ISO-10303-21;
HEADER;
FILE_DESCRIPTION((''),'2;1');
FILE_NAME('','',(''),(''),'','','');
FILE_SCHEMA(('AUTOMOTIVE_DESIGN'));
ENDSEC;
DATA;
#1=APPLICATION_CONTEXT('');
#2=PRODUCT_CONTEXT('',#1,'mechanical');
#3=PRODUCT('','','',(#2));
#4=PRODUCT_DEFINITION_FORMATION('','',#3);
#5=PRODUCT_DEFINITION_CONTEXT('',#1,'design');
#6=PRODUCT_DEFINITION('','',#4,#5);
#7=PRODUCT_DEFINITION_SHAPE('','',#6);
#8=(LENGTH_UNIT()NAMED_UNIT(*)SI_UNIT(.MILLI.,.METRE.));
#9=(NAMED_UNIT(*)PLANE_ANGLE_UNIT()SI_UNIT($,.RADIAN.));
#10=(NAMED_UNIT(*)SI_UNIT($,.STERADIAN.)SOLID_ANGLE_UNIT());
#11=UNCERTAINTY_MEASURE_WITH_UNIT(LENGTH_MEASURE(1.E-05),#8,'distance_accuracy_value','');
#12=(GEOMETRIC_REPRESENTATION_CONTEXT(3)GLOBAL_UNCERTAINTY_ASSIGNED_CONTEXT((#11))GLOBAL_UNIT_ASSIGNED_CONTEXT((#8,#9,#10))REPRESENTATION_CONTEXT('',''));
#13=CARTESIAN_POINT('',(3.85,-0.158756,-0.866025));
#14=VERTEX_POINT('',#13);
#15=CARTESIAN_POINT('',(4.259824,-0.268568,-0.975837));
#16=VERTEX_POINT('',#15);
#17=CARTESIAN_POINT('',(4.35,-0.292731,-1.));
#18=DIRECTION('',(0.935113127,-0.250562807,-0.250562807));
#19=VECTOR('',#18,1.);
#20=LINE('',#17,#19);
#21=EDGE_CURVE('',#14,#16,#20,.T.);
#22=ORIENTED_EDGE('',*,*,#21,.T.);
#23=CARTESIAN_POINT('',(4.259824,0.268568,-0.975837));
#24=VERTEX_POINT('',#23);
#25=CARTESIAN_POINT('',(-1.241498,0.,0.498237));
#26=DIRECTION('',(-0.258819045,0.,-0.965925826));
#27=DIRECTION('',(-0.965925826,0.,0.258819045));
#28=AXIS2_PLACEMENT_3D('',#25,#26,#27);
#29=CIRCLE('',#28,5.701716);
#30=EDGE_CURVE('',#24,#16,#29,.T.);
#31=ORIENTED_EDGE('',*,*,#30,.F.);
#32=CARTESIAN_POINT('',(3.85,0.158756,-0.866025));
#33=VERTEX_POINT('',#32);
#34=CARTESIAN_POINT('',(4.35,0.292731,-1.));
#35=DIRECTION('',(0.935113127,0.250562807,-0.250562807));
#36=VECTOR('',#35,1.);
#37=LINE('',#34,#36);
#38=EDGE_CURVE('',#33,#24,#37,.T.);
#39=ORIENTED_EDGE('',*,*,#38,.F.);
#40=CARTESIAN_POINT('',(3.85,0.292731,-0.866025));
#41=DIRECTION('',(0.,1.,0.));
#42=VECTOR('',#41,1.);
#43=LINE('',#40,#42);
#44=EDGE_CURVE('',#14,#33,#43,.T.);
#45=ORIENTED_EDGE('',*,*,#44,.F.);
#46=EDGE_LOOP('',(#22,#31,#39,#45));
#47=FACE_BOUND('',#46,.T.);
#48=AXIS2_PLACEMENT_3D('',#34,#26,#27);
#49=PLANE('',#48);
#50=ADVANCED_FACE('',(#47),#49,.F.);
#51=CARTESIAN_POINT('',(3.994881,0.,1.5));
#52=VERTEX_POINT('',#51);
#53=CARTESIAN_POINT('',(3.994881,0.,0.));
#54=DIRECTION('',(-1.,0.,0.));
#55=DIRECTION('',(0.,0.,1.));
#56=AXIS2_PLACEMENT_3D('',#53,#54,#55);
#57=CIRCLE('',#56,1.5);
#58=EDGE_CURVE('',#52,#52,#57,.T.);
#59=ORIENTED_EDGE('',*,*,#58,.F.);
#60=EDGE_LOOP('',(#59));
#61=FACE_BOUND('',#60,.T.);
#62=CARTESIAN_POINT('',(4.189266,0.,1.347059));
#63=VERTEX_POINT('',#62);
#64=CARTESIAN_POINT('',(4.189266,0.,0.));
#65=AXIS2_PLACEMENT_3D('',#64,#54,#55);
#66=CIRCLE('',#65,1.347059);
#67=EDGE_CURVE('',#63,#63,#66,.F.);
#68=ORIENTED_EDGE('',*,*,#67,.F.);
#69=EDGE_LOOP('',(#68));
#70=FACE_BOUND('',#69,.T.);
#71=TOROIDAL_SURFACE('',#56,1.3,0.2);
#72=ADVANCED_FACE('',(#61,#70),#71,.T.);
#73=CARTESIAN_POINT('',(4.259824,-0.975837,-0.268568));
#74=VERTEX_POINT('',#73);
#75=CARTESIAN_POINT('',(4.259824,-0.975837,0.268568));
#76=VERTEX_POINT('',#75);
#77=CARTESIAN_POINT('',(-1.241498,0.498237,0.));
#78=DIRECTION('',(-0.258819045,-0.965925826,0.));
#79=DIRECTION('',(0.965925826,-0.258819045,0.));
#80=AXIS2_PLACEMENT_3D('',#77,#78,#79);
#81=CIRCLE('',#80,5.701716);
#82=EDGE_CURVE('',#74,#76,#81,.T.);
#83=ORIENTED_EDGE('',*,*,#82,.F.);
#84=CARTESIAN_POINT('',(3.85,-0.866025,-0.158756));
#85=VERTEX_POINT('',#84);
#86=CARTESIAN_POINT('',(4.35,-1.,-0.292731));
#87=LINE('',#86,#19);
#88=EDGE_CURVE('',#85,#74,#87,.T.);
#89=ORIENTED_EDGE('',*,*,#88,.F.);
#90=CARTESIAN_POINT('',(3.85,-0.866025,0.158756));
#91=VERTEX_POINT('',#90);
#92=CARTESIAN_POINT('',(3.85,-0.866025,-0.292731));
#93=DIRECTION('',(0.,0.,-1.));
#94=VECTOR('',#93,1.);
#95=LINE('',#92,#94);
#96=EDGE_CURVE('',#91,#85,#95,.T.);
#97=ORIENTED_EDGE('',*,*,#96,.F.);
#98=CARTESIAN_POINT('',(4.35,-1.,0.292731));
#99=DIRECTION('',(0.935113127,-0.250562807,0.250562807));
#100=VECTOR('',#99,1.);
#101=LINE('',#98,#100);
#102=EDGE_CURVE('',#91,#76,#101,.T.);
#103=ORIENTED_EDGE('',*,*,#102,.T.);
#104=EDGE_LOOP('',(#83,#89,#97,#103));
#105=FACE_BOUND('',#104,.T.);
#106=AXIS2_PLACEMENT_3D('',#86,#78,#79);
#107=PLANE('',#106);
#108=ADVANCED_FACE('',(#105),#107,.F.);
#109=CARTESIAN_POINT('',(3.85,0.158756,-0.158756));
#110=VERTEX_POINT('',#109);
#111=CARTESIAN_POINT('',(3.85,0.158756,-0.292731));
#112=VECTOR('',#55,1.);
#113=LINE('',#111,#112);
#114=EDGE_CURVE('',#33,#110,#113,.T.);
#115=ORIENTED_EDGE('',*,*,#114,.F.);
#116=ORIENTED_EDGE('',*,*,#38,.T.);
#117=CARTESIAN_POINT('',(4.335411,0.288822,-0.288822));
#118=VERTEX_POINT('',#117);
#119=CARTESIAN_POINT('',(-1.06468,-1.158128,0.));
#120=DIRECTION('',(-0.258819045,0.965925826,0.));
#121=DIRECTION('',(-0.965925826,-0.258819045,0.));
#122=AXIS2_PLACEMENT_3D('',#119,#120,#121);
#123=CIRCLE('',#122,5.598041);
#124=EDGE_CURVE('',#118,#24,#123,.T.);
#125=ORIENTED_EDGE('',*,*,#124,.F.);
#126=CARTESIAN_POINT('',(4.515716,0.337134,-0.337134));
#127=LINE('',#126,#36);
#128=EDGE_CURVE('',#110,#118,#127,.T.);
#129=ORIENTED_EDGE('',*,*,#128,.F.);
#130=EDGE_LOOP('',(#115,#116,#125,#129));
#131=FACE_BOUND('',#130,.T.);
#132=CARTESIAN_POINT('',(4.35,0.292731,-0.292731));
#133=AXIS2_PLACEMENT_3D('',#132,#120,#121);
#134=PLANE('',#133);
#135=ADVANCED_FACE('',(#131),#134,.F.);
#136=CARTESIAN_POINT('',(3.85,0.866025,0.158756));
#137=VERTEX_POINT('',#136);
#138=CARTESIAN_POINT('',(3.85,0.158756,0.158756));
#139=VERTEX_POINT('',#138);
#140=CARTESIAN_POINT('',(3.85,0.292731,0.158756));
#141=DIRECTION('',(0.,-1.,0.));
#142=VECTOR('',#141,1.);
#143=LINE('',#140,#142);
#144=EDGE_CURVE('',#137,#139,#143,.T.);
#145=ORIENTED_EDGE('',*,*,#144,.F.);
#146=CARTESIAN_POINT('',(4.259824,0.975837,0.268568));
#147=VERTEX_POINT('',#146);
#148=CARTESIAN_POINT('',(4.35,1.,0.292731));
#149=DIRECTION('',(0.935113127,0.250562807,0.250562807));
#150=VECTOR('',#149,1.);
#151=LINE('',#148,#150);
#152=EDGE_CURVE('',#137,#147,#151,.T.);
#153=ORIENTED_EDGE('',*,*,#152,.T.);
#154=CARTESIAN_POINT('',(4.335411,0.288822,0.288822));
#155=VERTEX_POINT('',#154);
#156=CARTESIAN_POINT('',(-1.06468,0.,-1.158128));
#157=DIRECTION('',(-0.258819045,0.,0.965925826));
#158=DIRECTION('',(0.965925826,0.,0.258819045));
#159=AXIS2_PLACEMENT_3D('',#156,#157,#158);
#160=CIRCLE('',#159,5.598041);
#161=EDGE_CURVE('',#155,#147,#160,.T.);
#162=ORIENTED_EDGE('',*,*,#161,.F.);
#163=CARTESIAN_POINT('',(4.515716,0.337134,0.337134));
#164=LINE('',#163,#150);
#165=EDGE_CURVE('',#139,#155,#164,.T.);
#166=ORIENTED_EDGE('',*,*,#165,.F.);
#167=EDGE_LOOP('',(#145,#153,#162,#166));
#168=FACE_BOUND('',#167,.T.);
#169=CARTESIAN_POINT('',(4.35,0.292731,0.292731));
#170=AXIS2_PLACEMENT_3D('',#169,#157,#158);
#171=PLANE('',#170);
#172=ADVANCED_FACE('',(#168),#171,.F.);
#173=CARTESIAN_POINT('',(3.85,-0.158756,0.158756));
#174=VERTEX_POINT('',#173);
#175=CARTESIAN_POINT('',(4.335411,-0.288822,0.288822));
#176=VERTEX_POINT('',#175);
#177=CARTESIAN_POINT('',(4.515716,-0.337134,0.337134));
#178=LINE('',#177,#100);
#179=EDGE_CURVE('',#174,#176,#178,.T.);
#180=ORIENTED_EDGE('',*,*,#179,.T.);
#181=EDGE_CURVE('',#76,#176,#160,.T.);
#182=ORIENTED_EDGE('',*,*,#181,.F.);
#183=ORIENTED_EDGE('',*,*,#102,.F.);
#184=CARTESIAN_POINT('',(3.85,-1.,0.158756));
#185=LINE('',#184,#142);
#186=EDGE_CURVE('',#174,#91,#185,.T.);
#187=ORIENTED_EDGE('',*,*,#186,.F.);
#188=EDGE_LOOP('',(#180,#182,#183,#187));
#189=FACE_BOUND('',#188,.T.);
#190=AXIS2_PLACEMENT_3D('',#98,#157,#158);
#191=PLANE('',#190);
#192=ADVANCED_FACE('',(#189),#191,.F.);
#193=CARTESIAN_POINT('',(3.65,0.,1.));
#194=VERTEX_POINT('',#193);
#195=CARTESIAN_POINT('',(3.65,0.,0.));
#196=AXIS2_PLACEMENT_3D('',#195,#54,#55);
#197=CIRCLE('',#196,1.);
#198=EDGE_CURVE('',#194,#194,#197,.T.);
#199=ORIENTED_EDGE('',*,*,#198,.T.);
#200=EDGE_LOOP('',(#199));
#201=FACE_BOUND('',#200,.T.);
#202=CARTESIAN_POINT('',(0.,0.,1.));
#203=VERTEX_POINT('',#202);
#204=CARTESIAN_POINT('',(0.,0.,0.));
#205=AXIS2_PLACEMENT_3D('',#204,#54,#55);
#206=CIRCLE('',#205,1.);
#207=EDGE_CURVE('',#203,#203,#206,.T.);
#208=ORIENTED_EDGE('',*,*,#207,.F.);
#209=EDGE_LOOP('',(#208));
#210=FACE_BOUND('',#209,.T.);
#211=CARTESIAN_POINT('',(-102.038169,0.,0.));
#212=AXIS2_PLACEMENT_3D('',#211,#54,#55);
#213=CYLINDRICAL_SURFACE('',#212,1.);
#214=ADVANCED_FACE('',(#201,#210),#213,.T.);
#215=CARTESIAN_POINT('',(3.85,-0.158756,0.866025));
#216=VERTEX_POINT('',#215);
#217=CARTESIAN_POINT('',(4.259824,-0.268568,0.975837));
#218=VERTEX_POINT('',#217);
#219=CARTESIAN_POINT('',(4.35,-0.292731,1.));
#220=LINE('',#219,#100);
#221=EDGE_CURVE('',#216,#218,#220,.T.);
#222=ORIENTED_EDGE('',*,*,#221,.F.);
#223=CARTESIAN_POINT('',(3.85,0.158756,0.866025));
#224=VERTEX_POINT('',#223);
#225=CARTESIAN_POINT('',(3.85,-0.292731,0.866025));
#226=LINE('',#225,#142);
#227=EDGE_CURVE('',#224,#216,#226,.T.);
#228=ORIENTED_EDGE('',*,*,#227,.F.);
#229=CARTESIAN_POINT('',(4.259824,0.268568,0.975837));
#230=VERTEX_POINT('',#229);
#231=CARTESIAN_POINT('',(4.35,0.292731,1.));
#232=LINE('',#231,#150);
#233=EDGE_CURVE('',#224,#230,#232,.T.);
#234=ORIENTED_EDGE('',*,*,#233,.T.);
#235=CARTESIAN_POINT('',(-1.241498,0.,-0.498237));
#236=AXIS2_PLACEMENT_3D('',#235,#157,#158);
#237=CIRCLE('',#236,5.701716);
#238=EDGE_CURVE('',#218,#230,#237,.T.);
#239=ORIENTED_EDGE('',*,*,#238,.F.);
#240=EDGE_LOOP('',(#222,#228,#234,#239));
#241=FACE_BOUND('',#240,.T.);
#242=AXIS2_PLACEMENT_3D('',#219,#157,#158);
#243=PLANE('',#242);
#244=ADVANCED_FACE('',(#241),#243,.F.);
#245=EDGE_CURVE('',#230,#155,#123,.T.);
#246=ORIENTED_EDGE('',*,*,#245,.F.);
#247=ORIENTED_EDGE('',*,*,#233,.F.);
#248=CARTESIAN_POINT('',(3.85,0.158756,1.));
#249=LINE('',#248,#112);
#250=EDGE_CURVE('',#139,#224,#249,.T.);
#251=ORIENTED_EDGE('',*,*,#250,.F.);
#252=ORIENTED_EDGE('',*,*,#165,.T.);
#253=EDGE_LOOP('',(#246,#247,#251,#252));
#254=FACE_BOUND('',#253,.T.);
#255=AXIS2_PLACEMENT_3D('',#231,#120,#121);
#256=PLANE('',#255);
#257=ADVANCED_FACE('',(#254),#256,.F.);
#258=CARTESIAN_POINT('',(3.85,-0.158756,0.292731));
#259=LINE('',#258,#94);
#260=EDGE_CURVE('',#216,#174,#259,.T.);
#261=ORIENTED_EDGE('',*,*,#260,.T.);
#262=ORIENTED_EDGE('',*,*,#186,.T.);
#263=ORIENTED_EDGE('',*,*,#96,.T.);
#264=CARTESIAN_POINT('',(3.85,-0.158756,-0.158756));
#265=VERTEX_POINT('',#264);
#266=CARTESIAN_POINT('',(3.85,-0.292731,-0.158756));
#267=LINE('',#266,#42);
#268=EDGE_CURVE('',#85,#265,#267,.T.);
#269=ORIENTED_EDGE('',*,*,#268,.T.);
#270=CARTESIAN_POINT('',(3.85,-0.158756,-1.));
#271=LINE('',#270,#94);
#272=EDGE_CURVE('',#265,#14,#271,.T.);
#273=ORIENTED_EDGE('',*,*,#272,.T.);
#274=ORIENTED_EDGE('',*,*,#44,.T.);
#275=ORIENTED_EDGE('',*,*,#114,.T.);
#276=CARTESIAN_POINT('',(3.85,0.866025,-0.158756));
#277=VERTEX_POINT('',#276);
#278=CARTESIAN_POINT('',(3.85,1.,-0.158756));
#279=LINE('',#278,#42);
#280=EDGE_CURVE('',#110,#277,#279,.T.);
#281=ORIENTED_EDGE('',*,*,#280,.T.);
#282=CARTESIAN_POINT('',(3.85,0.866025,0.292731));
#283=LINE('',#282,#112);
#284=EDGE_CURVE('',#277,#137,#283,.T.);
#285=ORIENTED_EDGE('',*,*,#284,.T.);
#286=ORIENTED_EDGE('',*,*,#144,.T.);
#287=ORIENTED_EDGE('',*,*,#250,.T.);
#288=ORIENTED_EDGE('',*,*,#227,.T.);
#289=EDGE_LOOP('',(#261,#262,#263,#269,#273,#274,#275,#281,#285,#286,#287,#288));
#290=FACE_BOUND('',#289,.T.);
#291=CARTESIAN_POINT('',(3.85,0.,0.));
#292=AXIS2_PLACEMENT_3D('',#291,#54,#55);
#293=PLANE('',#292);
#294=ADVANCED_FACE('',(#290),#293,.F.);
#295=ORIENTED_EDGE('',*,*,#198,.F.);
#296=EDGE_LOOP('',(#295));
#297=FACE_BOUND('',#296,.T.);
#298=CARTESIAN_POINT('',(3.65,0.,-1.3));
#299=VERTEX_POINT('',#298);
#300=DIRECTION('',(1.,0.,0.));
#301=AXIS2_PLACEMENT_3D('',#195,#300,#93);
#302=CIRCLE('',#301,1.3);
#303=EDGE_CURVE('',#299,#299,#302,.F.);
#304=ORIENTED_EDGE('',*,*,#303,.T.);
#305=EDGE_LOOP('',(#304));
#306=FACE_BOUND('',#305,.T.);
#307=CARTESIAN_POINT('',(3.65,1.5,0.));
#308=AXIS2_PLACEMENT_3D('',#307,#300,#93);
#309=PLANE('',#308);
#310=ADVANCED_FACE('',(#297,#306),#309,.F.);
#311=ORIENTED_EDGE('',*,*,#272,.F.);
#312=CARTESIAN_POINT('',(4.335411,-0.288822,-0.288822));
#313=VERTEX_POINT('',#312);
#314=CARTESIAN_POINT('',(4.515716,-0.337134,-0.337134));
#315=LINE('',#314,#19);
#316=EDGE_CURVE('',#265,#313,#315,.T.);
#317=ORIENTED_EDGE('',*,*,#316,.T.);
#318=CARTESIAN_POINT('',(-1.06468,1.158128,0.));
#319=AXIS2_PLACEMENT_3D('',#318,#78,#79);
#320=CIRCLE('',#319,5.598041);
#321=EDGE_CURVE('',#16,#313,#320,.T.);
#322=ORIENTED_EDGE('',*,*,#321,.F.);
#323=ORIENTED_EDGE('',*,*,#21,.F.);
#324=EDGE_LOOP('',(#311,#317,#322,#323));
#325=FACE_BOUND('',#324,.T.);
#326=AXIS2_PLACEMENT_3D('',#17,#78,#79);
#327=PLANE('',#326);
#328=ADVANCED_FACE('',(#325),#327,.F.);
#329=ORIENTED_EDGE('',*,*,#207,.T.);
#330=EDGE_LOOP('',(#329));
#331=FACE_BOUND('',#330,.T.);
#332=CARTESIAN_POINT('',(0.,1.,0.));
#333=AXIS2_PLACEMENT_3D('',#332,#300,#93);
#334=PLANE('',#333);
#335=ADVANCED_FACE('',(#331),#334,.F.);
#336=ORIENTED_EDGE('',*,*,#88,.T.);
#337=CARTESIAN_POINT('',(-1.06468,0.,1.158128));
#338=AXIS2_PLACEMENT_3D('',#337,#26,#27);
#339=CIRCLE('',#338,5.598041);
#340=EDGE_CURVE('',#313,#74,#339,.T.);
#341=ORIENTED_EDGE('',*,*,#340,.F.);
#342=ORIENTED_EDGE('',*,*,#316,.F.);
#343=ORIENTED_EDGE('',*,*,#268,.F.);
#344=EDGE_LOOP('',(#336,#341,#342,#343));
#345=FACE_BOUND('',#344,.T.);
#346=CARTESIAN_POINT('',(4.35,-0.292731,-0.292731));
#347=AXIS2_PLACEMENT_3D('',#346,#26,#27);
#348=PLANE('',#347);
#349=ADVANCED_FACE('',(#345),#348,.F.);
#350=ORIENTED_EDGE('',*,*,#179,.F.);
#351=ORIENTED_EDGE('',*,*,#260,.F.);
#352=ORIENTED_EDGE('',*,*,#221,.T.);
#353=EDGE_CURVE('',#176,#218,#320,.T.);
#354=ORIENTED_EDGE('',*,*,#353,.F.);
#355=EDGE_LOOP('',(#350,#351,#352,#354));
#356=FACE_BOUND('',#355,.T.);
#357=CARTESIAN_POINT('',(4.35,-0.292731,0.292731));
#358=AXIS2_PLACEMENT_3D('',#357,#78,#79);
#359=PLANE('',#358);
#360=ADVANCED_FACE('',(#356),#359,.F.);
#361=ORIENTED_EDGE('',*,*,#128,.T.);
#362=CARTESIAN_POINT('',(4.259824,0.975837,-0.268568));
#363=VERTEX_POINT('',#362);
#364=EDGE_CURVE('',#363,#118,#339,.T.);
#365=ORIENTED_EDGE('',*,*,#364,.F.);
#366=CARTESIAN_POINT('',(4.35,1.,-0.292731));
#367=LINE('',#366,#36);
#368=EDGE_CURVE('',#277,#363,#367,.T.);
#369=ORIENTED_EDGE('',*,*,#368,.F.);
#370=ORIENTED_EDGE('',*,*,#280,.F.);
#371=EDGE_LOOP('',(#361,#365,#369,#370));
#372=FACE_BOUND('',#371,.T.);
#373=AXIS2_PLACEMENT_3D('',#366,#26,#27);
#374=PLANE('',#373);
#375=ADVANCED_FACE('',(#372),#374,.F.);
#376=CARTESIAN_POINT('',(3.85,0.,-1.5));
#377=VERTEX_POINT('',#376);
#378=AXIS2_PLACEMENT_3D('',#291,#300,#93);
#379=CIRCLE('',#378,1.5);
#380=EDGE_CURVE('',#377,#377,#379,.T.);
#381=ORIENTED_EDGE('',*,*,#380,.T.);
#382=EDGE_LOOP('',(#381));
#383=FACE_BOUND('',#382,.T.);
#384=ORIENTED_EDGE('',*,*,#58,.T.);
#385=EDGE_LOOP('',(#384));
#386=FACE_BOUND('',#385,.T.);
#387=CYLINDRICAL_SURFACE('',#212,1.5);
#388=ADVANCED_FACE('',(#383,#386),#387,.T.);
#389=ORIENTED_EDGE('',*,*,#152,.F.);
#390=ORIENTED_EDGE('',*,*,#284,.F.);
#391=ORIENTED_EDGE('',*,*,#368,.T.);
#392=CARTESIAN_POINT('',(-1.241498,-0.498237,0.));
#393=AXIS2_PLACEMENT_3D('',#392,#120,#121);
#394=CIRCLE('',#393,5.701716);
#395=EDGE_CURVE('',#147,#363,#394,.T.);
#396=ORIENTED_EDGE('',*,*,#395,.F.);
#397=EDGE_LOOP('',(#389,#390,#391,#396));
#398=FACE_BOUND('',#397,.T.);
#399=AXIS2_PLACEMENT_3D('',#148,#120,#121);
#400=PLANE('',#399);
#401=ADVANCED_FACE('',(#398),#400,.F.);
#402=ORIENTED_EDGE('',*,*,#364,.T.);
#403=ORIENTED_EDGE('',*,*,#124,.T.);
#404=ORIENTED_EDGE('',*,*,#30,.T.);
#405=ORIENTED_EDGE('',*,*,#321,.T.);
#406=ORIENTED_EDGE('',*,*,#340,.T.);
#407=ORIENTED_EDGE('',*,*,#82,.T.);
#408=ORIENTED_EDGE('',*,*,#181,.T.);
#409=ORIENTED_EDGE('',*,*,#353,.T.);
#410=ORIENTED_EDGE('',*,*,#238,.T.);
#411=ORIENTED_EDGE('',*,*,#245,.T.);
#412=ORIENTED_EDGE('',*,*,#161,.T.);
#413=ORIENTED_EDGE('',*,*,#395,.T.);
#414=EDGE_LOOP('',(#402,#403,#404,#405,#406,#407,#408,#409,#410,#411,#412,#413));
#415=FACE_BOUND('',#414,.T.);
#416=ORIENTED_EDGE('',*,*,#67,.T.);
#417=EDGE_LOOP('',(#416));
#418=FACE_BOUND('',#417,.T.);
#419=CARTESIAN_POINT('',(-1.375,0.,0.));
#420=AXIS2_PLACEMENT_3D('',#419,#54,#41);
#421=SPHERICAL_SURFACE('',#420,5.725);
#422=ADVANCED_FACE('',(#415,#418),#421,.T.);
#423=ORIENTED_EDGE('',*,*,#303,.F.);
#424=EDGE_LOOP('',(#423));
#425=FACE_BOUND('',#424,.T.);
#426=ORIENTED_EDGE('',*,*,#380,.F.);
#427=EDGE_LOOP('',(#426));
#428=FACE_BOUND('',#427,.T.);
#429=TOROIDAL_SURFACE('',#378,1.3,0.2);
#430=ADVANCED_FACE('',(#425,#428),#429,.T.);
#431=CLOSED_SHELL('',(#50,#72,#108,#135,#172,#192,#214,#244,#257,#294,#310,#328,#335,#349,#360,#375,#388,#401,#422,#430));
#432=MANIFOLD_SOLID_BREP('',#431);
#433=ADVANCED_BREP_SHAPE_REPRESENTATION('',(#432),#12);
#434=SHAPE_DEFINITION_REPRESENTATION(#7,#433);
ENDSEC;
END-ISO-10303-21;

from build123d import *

# Parameters (mm, degrees)
FILLET1_R          = 0.2
CUT_EXTRUDE1_DEPTH = 0.5
CUT_EXTRUDE1_DRAFT = -15


with BuildPart() as part:
    # Sketch1 → Revolve1 (revolve)
    with BuildSketch(Plane.XY, mode=Mode.PRIVATE) as revolve1_sk:
        with BuildLine():
            Line((0, 0), (4.35, 0))
            ThreePointArc((4.35, 0), (4.299779731, 0.756637298), (4.15, 1.5))
            Line((4.15, 1.5), (3.65, 1.5))
            Line((3.65, 1.5), (3.65, 1))
            Line((3.65, 1), (0, 1))
            Line((0, 1), (0, 0))
        make_face()
    revolve(revolve1_sk.sketch.rotate(Axis((-102.03816923, 0, 0), (1, 0, 0)), 90), axis=Axis((-102.03816923, 0, 0), (1, 0, 0)))

    # Fillet1
    fillet1_edges = [part.edges().sort_by_distance(p)[0] for p in [
        (3.65, 0, -1.5),
        (4.15, 0, -1.5),
    ]]
    fillet(fillet1_edges, radius=FILLET1_R)


with BuildPart() as cut_extrude1_tool:
    # Sketch2 → Cut-Extrude1 (with draft: the straight prism first)
    with BuildSketch(Plane(origin=(4.35, 0, 0), x_dir=(0, 0, -1), z_dir=(1, 0, 0))):
        Polygon((0.29273093, 1), (-0.29273093, 1), (-0.29273093, 0.29273093), (-1, 0.29273093), (-1, -0.29273093), (-0.29273093, -0.29273093), (-0.29273093, -1), (0.29273093, -1), (0.29273093, -0.29273093), (1, -0.29273093), (1, 0.29273093), (0.29273093, 0.29273093), align=None)
    extrude(amount=-CUT_EXTRUDE1_DEPTH)
    # Cut-Extrude1: the draft: its side faces are tilted about the plane it starts from
    cut_extrude1_sides = [cut_extrude1_tool.faces().sort_by_distance(p)[0] for p in [
        (4.1, 1, 0),
        (4.1, 0.646365465, 0.29273093),
        (4.1, 0.29273093, 0.646365465),
        (4.1, 0, 1),
        (4.1, -0.29273093, 0.646365465),
        (4.1, -0.646365465, 0.29273093),
        (4.1, -1, 0),
        (4.1, -0.646365465, -0.29273093),
        (4.1, -0.29273093, -0.646365465),
        (4.1, 0, -1),
        (4.1, 0.29273093, -0.646365465),
        (4.1, 0.646365465, -0.29273093),
    ]]
    draft(cut_extrude1_sides, Plane(origin=(4.35, 0, 0), x_dir=(0, 0, -1), z_dir=(1, 0, 0)), CUT_EXTRUDE1_DRAFT)


with BuildPart() as part_1:
    add(part.part)

    # Cut-Extrude1: cut by cut_extrude1_tool
    add(cut_extrude1_tool.part, mode=Mode.SUBTRACT)


solid = part_1.part
